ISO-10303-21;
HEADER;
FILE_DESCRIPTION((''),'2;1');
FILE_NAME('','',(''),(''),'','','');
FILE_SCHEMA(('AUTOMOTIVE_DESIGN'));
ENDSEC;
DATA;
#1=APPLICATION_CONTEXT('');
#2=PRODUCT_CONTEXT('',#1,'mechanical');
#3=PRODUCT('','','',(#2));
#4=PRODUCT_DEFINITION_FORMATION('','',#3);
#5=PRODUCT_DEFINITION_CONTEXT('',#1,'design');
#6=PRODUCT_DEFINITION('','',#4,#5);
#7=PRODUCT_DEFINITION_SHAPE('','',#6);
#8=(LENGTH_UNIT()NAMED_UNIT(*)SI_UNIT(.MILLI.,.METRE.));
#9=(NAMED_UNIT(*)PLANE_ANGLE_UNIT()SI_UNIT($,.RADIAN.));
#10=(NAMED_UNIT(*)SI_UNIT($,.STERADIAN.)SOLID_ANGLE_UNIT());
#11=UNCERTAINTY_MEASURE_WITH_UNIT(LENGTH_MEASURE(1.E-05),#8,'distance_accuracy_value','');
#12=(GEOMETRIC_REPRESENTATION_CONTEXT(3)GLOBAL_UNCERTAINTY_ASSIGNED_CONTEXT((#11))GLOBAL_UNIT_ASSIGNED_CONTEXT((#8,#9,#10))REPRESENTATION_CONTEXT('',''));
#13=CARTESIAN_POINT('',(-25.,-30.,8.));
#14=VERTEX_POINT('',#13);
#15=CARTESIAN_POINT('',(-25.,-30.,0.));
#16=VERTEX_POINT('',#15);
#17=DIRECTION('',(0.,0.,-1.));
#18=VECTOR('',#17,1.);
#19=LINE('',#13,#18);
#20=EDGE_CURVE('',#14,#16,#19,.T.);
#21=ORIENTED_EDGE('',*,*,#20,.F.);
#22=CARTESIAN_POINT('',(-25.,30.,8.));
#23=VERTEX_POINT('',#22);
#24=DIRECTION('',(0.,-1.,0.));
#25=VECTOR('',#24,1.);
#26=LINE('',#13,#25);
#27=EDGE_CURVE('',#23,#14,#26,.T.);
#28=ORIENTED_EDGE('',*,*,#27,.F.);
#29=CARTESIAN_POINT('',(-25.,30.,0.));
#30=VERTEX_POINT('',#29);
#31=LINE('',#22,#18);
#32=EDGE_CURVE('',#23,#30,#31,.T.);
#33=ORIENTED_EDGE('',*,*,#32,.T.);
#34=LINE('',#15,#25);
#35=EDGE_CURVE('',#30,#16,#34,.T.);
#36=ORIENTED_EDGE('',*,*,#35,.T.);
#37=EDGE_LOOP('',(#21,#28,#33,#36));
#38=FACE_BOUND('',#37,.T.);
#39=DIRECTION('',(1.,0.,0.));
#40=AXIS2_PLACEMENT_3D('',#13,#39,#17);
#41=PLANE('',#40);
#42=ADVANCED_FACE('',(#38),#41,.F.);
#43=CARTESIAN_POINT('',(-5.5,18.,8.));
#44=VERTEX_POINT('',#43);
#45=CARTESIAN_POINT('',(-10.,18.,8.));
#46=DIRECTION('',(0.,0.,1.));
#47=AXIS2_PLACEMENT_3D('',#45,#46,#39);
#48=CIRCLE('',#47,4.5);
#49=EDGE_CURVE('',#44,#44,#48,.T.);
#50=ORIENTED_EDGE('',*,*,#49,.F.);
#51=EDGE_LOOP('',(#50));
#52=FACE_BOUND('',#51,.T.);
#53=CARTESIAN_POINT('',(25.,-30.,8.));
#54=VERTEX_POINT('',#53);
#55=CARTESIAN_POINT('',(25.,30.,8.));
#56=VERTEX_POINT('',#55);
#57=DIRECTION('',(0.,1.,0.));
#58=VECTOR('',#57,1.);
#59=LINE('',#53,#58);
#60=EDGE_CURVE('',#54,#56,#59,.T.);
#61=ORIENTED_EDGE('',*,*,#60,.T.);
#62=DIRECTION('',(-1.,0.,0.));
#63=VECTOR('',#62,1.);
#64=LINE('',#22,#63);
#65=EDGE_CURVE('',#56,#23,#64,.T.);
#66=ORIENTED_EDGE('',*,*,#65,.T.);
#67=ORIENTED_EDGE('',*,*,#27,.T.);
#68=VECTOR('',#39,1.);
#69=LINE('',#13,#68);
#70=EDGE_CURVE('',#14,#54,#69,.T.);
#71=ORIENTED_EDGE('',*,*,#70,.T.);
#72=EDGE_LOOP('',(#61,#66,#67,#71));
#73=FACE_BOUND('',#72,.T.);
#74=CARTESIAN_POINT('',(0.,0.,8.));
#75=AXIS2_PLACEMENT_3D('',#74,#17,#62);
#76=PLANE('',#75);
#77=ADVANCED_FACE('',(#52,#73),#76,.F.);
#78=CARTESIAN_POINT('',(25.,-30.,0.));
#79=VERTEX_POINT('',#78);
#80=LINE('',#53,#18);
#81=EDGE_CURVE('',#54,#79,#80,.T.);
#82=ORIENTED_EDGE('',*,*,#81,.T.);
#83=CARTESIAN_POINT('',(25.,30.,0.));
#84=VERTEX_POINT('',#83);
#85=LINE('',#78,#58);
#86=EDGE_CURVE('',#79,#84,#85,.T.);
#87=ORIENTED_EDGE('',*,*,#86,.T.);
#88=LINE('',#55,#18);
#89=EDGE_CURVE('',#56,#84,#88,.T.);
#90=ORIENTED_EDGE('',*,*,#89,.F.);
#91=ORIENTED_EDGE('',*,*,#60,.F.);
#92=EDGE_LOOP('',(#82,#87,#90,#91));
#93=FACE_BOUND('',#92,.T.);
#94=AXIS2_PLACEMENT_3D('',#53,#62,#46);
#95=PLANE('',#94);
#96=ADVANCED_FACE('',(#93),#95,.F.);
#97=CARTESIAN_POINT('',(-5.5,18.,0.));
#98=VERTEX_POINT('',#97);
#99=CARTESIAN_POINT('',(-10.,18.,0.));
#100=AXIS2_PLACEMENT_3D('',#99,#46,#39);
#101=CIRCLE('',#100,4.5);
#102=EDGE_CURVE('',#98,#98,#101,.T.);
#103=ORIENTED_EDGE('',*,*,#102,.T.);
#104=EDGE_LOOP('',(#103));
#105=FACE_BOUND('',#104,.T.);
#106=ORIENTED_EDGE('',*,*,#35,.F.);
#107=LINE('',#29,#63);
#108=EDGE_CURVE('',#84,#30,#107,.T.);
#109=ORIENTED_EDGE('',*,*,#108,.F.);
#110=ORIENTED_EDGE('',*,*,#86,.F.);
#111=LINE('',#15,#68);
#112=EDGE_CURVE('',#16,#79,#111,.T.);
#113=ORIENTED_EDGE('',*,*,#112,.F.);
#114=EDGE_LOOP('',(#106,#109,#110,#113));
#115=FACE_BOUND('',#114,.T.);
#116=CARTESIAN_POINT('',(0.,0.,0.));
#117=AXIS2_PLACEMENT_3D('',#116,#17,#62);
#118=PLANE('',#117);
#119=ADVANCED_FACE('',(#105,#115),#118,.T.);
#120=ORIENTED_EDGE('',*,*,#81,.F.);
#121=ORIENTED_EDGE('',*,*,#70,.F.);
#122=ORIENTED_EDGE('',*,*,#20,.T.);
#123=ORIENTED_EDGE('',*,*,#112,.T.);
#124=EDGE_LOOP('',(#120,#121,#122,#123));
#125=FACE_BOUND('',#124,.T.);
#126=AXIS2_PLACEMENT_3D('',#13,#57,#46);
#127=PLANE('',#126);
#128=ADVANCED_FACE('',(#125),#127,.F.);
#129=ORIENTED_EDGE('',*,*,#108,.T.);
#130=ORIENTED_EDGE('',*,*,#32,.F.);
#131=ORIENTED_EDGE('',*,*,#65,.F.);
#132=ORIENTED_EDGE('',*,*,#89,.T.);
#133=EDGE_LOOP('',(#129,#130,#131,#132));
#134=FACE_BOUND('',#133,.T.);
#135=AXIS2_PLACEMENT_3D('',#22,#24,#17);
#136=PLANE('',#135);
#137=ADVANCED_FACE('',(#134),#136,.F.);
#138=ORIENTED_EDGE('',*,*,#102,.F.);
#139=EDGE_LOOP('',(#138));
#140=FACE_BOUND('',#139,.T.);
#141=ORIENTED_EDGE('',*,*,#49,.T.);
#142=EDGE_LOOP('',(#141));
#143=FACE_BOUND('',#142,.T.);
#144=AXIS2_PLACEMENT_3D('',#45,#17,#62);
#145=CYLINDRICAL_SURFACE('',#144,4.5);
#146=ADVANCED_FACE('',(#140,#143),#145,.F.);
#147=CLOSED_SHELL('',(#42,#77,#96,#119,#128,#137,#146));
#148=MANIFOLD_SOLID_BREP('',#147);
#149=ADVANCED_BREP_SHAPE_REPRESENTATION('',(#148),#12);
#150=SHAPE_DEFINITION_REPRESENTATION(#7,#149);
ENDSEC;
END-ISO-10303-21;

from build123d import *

# Parameters (mm, degrees)
SKETCH1_W           = 50
SKETCH1_H           = 60
SKETCH1_R           = 4.5
BOSS_EXTRUDE1_DEPTH = 8


with BuildPart() as part:
    # Sketch1 → Boss-Extrude1 (new body)
    with BuildSketch(Plane.XY):
        Rectangle(SKETCH1_W, SKETCH1_H)
        with Locations((-10, 18)):
            Circle(SKETCH1_R, mode=Mode.SUBTRACT)
    extrude(amount=BOSS_EXTRUDE1_DEPTH)


solid = part.part
